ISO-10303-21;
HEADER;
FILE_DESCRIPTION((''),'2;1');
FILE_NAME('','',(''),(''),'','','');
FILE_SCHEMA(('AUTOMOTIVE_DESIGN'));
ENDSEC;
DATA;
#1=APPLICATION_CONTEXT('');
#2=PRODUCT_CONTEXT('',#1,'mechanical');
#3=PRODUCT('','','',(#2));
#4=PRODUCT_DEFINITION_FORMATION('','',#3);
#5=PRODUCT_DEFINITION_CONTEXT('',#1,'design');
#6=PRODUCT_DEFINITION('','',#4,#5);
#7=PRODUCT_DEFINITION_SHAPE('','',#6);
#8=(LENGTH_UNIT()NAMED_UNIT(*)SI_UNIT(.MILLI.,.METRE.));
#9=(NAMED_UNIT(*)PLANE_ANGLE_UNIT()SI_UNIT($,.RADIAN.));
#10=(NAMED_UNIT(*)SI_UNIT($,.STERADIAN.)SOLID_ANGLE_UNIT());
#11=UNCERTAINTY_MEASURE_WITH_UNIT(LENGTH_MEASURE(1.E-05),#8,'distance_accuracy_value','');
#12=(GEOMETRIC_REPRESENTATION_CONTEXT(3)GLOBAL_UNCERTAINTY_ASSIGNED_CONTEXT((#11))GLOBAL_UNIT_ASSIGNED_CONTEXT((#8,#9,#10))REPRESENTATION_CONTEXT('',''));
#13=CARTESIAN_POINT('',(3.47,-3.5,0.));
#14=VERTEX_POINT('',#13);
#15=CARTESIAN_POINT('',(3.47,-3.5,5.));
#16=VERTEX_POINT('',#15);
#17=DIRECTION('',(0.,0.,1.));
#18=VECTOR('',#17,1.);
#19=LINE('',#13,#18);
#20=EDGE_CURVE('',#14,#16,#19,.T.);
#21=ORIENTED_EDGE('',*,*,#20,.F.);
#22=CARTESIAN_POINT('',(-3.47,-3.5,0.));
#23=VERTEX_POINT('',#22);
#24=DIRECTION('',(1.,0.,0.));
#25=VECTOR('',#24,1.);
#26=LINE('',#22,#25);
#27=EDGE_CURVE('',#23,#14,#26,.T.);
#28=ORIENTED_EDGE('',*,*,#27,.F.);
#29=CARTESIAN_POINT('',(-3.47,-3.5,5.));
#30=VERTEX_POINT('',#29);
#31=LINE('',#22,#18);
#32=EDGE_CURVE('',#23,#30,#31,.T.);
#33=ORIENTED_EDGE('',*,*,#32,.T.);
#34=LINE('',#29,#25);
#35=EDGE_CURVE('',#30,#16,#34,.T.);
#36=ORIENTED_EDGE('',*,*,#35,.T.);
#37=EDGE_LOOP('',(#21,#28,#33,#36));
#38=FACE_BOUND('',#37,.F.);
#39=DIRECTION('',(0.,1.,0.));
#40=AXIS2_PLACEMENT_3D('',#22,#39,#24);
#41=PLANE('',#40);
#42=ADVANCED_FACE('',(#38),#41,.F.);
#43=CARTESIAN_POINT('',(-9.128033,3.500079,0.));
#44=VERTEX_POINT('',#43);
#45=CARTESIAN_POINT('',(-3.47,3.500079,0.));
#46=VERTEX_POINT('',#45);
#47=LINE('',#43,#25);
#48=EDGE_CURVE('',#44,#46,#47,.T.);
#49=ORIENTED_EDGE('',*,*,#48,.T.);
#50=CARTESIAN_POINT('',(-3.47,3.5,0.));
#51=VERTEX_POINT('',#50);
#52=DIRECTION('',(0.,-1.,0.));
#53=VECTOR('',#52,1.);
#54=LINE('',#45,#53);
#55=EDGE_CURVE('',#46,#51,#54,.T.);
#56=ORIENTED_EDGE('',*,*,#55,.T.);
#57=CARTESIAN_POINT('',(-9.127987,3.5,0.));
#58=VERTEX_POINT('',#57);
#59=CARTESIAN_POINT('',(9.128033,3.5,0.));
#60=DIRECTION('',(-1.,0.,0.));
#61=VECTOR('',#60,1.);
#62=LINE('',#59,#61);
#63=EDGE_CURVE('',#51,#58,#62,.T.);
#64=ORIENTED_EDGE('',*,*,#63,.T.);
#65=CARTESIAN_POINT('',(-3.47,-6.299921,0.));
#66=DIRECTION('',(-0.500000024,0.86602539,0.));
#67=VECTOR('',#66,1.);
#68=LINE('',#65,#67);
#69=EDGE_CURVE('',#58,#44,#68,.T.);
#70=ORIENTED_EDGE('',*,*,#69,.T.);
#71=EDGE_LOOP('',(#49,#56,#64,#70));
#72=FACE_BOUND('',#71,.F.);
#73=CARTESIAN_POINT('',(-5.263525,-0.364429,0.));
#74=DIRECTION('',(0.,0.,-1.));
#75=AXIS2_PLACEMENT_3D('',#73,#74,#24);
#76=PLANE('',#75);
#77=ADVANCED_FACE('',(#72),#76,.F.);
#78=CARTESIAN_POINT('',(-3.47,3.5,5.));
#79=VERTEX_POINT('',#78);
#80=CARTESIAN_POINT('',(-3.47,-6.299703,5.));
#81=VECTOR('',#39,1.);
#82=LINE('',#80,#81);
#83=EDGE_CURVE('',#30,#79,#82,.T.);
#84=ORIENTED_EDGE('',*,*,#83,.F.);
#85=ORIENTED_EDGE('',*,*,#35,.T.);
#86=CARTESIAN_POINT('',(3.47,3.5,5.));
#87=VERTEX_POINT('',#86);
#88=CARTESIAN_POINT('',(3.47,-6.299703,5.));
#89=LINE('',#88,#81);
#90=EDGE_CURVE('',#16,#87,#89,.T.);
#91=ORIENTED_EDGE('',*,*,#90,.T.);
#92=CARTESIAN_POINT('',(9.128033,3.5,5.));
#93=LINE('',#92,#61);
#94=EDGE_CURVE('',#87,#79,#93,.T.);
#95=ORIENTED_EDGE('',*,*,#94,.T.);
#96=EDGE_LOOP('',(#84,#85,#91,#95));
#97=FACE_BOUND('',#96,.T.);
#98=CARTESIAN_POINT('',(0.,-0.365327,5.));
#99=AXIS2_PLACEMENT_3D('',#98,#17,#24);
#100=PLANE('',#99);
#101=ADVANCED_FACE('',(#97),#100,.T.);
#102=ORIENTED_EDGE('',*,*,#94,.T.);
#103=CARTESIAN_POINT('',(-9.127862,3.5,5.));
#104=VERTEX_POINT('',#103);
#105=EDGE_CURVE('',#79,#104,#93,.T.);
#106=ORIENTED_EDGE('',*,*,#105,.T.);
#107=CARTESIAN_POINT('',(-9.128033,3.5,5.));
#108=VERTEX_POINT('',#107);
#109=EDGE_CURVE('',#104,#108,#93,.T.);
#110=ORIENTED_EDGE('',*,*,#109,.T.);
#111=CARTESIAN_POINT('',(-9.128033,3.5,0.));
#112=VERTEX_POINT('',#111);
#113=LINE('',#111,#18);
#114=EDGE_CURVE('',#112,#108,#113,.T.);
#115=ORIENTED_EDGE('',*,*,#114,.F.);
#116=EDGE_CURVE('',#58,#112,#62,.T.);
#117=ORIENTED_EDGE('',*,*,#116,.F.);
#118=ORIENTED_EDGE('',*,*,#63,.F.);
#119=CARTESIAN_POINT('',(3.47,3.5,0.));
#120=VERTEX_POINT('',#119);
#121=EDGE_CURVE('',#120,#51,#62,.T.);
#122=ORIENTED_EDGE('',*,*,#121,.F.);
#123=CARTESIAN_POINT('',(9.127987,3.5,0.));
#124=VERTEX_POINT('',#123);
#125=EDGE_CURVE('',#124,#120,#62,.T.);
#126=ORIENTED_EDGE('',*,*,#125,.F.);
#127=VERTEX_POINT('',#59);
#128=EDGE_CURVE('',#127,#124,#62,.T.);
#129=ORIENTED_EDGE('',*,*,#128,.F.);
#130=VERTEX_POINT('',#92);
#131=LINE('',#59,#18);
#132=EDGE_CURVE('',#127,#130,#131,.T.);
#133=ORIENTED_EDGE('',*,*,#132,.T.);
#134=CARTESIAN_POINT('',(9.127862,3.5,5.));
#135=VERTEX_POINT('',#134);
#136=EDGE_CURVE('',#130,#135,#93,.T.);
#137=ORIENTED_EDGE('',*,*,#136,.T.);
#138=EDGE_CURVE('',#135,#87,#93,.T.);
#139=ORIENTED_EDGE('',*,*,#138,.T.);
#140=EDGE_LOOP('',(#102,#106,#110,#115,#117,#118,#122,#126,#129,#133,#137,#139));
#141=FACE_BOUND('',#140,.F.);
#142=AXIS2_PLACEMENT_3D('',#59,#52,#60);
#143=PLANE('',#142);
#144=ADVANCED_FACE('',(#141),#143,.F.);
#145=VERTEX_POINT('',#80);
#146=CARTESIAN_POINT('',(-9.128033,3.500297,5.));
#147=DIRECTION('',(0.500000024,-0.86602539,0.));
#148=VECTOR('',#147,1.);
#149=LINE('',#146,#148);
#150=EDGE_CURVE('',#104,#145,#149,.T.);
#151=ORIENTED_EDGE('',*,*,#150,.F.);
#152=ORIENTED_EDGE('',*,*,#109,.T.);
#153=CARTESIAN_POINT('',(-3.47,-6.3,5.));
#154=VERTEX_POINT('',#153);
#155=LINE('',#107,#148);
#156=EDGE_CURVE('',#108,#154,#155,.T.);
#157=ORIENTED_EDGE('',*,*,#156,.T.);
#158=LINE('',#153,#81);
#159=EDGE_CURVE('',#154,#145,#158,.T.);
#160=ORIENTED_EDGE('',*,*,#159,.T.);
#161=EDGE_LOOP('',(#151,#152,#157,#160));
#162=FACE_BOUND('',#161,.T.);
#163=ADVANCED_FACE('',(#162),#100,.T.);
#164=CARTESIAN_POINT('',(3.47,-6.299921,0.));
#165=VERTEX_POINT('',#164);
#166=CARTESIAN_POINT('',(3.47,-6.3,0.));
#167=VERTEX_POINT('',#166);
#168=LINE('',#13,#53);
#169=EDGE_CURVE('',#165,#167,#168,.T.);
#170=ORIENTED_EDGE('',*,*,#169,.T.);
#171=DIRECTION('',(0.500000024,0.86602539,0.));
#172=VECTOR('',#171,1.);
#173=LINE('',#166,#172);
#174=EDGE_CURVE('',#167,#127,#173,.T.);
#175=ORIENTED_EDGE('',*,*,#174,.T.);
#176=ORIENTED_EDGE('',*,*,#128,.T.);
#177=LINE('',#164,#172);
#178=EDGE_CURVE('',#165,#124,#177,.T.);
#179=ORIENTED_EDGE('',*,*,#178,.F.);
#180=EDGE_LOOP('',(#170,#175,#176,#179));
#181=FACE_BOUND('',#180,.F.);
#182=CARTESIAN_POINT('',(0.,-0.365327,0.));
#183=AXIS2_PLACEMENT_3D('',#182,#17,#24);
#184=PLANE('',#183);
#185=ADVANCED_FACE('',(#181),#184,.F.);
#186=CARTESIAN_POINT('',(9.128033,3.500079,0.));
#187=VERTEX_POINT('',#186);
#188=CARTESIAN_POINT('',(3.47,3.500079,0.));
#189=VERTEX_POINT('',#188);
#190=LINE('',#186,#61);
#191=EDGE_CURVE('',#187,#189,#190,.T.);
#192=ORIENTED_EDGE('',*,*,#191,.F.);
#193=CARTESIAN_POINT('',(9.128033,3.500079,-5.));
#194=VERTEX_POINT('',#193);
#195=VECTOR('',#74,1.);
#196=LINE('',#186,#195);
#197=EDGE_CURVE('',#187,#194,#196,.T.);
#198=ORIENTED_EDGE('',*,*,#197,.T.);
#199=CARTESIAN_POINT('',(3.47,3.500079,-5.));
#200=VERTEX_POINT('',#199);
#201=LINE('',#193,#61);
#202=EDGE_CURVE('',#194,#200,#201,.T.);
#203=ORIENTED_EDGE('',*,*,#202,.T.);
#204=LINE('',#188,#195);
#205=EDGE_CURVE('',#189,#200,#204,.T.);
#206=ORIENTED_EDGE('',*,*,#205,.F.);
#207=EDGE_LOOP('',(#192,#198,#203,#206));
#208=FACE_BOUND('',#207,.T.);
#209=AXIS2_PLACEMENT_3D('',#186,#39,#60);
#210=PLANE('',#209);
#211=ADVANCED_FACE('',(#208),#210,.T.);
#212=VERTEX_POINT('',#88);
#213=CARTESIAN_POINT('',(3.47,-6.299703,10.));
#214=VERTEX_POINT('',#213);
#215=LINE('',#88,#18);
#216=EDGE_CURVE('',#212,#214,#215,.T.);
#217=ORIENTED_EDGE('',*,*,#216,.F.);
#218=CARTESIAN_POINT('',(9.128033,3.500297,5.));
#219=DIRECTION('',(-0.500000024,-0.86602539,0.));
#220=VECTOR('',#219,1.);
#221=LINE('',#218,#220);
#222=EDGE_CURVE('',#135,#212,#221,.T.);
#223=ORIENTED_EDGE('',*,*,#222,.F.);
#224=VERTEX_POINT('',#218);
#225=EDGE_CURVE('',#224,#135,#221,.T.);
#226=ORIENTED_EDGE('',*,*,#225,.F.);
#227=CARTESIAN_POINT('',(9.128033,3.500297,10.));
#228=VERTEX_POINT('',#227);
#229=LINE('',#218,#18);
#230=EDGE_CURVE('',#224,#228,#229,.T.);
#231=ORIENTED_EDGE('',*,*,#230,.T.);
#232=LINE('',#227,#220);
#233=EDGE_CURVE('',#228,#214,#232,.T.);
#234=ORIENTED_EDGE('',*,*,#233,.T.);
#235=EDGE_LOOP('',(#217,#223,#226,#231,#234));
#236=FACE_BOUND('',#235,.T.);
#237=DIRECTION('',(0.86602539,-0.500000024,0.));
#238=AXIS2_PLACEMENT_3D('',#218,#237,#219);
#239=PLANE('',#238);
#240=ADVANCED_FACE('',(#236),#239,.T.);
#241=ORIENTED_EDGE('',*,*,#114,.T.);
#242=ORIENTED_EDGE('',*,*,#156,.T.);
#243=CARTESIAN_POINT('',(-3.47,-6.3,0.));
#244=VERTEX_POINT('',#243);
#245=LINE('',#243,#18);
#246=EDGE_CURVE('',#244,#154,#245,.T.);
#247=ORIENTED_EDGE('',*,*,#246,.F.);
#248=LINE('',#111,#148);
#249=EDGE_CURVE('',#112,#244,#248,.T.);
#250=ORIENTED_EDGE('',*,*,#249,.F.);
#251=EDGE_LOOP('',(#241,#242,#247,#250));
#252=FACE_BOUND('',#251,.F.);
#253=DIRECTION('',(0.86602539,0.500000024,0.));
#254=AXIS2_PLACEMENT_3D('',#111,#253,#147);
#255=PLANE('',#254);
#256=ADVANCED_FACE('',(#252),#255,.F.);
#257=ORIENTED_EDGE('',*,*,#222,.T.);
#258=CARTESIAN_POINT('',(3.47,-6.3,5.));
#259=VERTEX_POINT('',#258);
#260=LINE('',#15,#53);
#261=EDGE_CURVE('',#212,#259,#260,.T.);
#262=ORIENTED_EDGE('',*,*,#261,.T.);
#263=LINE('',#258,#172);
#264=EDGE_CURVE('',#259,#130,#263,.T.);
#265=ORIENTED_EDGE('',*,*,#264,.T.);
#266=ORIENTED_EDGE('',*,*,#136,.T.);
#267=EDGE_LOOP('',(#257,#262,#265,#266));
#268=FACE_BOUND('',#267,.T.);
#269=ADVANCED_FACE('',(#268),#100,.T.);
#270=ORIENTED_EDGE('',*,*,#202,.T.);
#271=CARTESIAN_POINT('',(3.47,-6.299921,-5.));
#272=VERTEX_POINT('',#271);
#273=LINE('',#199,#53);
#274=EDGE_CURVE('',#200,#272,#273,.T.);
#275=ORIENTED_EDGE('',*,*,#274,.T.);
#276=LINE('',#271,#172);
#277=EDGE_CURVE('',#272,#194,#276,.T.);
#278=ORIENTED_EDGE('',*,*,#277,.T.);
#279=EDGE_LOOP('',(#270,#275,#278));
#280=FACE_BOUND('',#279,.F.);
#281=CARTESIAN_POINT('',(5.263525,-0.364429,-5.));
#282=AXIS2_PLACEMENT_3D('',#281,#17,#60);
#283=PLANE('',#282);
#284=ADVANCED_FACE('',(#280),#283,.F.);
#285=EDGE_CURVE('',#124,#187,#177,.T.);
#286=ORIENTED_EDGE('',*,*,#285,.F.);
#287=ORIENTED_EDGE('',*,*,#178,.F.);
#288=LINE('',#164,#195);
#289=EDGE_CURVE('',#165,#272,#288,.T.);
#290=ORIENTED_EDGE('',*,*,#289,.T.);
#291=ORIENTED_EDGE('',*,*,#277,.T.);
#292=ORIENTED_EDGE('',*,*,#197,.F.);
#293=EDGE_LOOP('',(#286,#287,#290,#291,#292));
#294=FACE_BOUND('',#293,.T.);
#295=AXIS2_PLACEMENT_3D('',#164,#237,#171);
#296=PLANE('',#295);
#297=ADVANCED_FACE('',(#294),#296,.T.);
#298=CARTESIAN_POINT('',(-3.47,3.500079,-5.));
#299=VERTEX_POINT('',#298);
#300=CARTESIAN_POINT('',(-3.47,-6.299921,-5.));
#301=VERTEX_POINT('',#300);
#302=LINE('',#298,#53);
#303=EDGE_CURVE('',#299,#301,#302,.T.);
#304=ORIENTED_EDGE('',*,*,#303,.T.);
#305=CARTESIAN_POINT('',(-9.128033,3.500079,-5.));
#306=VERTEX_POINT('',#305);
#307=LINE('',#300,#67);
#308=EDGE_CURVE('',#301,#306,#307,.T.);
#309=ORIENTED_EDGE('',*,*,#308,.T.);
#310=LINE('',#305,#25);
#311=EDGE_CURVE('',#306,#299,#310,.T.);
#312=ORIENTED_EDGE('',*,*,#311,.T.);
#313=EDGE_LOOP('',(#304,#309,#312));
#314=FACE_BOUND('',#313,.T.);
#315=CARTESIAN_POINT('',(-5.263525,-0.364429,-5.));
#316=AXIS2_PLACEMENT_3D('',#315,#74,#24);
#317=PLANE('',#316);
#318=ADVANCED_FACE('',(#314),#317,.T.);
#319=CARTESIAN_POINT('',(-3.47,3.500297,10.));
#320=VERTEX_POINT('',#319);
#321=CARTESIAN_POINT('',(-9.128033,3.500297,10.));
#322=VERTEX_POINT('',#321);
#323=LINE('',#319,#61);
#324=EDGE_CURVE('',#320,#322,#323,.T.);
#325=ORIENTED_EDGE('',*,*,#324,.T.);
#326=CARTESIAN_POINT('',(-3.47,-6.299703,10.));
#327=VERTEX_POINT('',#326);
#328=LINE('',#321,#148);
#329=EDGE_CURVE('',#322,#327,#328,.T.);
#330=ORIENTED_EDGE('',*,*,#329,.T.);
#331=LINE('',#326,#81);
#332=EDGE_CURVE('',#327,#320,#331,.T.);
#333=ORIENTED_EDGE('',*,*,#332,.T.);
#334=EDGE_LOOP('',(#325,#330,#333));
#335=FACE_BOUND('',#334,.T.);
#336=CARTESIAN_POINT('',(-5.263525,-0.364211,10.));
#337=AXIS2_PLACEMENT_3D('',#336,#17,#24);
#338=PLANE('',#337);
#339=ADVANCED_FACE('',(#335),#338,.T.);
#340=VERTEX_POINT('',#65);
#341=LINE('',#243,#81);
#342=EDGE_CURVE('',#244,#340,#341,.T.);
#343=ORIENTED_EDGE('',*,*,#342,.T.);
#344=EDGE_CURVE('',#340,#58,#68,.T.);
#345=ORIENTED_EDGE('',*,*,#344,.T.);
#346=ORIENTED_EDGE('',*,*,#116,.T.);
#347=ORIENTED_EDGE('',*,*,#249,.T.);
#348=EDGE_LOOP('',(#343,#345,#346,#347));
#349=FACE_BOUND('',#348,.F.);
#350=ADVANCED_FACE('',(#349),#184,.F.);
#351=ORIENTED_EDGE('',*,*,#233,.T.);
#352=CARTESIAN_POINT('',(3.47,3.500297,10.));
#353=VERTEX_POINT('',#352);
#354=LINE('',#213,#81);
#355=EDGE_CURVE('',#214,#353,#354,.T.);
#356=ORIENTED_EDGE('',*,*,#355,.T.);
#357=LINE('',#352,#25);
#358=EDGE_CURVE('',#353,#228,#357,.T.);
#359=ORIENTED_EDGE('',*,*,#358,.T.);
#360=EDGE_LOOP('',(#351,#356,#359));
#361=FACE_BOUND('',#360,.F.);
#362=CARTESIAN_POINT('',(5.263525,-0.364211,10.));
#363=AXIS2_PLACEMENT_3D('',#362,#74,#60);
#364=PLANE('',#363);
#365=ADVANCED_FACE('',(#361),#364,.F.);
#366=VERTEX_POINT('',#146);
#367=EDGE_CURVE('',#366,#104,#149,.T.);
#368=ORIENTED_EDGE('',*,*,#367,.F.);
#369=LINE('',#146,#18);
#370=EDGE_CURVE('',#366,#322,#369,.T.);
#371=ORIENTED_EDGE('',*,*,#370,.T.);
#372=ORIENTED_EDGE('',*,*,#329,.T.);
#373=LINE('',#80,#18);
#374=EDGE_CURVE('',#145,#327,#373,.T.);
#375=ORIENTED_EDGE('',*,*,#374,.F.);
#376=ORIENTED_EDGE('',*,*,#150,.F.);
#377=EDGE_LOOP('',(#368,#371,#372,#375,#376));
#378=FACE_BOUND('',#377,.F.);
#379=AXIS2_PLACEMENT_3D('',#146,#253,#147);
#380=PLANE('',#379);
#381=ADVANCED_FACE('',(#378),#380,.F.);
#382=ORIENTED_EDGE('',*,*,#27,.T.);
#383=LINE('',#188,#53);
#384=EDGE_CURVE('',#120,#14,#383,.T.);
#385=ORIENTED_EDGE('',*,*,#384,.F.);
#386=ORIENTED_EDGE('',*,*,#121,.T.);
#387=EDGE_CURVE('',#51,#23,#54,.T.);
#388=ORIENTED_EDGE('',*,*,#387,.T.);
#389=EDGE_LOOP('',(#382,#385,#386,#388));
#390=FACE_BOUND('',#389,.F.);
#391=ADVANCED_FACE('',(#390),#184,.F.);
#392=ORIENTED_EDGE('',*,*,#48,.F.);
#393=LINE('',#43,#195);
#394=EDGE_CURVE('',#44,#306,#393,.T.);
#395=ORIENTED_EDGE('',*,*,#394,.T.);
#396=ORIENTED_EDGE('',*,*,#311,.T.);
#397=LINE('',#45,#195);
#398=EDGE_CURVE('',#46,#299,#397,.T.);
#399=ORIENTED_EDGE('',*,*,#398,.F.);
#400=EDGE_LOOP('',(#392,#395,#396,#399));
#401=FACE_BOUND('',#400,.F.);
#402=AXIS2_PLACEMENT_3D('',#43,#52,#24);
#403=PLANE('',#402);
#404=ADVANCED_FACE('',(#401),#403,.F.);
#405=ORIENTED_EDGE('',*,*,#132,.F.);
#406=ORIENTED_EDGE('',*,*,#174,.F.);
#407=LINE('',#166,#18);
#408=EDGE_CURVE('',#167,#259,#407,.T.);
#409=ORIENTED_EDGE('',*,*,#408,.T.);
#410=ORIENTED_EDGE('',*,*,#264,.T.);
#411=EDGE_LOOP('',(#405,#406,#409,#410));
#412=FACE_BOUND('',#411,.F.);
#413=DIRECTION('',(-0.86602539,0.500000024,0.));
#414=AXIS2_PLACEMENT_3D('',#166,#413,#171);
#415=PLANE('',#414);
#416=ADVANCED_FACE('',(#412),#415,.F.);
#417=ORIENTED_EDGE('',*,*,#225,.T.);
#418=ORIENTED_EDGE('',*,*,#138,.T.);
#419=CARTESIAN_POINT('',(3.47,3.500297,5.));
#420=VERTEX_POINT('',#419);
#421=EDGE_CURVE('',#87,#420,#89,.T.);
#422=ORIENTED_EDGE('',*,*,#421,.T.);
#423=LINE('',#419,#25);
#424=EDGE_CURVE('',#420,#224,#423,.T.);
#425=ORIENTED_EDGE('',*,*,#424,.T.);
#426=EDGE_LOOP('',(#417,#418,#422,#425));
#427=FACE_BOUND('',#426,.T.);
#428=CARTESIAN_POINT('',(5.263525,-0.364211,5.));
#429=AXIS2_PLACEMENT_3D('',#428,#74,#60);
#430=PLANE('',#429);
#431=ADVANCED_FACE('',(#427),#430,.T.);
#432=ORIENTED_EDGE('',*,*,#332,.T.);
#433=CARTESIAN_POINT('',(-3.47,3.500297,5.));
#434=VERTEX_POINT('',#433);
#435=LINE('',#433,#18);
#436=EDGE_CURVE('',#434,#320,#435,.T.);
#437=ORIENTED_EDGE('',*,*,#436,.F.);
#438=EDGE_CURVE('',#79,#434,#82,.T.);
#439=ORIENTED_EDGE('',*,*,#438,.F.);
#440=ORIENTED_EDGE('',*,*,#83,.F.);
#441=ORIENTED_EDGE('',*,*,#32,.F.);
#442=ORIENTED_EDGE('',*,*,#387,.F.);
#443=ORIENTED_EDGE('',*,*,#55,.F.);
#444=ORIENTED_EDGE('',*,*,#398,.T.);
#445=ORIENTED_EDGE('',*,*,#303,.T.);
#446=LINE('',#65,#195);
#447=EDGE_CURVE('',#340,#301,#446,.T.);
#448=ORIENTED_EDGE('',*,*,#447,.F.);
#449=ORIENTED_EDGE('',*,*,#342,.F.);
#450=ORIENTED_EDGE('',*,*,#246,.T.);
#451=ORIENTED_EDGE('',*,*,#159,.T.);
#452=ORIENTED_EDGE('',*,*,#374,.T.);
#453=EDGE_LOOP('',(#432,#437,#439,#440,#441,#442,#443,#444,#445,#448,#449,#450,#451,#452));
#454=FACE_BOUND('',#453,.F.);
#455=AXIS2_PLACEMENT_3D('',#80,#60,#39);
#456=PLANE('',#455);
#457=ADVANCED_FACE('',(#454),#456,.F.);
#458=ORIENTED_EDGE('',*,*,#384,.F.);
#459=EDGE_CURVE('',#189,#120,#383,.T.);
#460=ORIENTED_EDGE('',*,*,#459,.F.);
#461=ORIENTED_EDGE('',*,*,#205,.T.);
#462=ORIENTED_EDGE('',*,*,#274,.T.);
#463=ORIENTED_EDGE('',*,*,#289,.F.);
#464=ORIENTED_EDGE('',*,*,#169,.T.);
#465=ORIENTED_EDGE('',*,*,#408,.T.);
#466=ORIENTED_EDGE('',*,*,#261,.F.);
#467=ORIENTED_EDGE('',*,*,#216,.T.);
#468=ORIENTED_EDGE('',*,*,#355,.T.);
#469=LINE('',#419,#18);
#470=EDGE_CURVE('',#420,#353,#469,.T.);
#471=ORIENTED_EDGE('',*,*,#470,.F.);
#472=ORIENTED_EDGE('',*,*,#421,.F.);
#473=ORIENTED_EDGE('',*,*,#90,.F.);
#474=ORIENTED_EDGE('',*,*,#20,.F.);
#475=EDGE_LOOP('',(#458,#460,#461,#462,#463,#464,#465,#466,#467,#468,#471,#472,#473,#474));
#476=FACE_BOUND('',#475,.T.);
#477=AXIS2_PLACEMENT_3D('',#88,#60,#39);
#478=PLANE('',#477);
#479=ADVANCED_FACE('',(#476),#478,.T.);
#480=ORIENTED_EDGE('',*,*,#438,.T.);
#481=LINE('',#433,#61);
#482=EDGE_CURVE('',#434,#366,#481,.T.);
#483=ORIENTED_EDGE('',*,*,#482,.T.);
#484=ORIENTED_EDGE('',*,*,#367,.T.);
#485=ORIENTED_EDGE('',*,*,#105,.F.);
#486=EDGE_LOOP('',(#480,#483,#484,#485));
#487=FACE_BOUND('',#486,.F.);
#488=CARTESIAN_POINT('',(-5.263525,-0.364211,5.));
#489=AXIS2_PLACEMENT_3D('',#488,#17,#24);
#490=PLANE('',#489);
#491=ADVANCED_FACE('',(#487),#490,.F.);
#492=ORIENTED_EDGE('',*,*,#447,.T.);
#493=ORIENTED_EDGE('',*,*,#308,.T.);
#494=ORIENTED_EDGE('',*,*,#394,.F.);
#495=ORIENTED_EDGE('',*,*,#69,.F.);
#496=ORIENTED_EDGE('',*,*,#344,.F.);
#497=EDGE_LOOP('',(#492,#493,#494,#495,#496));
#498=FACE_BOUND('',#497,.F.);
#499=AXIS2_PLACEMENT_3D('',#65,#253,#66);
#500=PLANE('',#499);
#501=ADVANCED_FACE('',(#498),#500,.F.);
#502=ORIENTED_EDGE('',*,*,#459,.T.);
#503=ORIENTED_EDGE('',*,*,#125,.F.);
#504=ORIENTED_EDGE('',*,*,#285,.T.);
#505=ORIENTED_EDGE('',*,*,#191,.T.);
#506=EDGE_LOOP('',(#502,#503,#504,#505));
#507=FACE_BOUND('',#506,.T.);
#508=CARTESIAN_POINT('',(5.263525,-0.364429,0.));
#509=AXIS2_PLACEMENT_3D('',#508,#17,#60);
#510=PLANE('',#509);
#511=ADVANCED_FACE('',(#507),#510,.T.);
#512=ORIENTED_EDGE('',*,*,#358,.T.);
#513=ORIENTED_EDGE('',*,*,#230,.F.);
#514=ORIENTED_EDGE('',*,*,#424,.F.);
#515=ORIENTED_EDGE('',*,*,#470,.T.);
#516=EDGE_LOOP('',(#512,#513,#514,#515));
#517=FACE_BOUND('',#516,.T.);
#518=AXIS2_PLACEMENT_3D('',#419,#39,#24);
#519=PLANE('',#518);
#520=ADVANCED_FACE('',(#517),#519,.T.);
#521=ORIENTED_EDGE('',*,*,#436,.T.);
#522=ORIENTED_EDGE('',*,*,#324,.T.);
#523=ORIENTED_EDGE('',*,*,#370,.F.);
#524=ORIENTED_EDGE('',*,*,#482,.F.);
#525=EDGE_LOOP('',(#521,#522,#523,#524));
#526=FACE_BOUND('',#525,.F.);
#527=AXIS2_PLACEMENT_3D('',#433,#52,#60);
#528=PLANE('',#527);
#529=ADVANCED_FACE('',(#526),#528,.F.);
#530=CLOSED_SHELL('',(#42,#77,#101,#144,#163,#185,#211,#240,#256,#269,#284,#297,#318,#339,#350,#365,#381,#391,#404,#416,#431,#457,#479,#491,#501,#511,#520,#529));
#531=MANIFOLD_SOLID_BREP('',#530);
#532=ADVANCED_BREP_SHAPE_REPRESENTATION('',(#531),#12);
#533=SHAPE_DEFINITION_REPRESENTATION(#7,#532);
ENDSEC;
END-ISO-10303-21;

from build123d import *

# Parameters (mm, degrees)
PAD_DEPTH    = 5
PAD001_DEPTH = 5
PAD002_DEPTH = 5


with BuildPart() as part:
    # Sketch → Pad (new body)
    with BuildSketch(Plane.XY):
        Polygon((-3.47, -3.5), (3.47, -3.5), (3.47, -6.3), (9.128033, 3.5), (3.47, 3.5), (-3.47, 3.5), (-9.128033, 3.5), (-3.47, -6.3), align=None)
    extrude(amount=PAD_DEPTH)

    # Sketch001 (on Face9 of Pad) → Pad001 (join)
    with BuildSketch(Plane(origin=(0, 0, 0), x_dir=(1, 0, 0), z_dir=(0, 0, -1))):
        Polygon((-3.47, 6.299921), (-9.128033, -3.500079), (-3.47, -3.500079), align=None)
        Polygon((3.47, 6.299921), (9.128033, -3.500079), (3.47, -3.500079), align=None)
    extrude(amount=PAD001_DEPTH)

    # Sketch002 (on Face5 of Pad001) → Pad002 (join)
    with BuildSketch(Plane.XY.offset(5)):
        Polygon((-9.128033, 3.500297), (-3.47, -6.299703), (-3.47, 3.500297), align=None)
        Polygon((3.47, -6.299703), (3.47, 3.500297), (9.128033, 3.500297), align=None)
    extrude(amount=PAD002_DEPTH)


solid = part.part
